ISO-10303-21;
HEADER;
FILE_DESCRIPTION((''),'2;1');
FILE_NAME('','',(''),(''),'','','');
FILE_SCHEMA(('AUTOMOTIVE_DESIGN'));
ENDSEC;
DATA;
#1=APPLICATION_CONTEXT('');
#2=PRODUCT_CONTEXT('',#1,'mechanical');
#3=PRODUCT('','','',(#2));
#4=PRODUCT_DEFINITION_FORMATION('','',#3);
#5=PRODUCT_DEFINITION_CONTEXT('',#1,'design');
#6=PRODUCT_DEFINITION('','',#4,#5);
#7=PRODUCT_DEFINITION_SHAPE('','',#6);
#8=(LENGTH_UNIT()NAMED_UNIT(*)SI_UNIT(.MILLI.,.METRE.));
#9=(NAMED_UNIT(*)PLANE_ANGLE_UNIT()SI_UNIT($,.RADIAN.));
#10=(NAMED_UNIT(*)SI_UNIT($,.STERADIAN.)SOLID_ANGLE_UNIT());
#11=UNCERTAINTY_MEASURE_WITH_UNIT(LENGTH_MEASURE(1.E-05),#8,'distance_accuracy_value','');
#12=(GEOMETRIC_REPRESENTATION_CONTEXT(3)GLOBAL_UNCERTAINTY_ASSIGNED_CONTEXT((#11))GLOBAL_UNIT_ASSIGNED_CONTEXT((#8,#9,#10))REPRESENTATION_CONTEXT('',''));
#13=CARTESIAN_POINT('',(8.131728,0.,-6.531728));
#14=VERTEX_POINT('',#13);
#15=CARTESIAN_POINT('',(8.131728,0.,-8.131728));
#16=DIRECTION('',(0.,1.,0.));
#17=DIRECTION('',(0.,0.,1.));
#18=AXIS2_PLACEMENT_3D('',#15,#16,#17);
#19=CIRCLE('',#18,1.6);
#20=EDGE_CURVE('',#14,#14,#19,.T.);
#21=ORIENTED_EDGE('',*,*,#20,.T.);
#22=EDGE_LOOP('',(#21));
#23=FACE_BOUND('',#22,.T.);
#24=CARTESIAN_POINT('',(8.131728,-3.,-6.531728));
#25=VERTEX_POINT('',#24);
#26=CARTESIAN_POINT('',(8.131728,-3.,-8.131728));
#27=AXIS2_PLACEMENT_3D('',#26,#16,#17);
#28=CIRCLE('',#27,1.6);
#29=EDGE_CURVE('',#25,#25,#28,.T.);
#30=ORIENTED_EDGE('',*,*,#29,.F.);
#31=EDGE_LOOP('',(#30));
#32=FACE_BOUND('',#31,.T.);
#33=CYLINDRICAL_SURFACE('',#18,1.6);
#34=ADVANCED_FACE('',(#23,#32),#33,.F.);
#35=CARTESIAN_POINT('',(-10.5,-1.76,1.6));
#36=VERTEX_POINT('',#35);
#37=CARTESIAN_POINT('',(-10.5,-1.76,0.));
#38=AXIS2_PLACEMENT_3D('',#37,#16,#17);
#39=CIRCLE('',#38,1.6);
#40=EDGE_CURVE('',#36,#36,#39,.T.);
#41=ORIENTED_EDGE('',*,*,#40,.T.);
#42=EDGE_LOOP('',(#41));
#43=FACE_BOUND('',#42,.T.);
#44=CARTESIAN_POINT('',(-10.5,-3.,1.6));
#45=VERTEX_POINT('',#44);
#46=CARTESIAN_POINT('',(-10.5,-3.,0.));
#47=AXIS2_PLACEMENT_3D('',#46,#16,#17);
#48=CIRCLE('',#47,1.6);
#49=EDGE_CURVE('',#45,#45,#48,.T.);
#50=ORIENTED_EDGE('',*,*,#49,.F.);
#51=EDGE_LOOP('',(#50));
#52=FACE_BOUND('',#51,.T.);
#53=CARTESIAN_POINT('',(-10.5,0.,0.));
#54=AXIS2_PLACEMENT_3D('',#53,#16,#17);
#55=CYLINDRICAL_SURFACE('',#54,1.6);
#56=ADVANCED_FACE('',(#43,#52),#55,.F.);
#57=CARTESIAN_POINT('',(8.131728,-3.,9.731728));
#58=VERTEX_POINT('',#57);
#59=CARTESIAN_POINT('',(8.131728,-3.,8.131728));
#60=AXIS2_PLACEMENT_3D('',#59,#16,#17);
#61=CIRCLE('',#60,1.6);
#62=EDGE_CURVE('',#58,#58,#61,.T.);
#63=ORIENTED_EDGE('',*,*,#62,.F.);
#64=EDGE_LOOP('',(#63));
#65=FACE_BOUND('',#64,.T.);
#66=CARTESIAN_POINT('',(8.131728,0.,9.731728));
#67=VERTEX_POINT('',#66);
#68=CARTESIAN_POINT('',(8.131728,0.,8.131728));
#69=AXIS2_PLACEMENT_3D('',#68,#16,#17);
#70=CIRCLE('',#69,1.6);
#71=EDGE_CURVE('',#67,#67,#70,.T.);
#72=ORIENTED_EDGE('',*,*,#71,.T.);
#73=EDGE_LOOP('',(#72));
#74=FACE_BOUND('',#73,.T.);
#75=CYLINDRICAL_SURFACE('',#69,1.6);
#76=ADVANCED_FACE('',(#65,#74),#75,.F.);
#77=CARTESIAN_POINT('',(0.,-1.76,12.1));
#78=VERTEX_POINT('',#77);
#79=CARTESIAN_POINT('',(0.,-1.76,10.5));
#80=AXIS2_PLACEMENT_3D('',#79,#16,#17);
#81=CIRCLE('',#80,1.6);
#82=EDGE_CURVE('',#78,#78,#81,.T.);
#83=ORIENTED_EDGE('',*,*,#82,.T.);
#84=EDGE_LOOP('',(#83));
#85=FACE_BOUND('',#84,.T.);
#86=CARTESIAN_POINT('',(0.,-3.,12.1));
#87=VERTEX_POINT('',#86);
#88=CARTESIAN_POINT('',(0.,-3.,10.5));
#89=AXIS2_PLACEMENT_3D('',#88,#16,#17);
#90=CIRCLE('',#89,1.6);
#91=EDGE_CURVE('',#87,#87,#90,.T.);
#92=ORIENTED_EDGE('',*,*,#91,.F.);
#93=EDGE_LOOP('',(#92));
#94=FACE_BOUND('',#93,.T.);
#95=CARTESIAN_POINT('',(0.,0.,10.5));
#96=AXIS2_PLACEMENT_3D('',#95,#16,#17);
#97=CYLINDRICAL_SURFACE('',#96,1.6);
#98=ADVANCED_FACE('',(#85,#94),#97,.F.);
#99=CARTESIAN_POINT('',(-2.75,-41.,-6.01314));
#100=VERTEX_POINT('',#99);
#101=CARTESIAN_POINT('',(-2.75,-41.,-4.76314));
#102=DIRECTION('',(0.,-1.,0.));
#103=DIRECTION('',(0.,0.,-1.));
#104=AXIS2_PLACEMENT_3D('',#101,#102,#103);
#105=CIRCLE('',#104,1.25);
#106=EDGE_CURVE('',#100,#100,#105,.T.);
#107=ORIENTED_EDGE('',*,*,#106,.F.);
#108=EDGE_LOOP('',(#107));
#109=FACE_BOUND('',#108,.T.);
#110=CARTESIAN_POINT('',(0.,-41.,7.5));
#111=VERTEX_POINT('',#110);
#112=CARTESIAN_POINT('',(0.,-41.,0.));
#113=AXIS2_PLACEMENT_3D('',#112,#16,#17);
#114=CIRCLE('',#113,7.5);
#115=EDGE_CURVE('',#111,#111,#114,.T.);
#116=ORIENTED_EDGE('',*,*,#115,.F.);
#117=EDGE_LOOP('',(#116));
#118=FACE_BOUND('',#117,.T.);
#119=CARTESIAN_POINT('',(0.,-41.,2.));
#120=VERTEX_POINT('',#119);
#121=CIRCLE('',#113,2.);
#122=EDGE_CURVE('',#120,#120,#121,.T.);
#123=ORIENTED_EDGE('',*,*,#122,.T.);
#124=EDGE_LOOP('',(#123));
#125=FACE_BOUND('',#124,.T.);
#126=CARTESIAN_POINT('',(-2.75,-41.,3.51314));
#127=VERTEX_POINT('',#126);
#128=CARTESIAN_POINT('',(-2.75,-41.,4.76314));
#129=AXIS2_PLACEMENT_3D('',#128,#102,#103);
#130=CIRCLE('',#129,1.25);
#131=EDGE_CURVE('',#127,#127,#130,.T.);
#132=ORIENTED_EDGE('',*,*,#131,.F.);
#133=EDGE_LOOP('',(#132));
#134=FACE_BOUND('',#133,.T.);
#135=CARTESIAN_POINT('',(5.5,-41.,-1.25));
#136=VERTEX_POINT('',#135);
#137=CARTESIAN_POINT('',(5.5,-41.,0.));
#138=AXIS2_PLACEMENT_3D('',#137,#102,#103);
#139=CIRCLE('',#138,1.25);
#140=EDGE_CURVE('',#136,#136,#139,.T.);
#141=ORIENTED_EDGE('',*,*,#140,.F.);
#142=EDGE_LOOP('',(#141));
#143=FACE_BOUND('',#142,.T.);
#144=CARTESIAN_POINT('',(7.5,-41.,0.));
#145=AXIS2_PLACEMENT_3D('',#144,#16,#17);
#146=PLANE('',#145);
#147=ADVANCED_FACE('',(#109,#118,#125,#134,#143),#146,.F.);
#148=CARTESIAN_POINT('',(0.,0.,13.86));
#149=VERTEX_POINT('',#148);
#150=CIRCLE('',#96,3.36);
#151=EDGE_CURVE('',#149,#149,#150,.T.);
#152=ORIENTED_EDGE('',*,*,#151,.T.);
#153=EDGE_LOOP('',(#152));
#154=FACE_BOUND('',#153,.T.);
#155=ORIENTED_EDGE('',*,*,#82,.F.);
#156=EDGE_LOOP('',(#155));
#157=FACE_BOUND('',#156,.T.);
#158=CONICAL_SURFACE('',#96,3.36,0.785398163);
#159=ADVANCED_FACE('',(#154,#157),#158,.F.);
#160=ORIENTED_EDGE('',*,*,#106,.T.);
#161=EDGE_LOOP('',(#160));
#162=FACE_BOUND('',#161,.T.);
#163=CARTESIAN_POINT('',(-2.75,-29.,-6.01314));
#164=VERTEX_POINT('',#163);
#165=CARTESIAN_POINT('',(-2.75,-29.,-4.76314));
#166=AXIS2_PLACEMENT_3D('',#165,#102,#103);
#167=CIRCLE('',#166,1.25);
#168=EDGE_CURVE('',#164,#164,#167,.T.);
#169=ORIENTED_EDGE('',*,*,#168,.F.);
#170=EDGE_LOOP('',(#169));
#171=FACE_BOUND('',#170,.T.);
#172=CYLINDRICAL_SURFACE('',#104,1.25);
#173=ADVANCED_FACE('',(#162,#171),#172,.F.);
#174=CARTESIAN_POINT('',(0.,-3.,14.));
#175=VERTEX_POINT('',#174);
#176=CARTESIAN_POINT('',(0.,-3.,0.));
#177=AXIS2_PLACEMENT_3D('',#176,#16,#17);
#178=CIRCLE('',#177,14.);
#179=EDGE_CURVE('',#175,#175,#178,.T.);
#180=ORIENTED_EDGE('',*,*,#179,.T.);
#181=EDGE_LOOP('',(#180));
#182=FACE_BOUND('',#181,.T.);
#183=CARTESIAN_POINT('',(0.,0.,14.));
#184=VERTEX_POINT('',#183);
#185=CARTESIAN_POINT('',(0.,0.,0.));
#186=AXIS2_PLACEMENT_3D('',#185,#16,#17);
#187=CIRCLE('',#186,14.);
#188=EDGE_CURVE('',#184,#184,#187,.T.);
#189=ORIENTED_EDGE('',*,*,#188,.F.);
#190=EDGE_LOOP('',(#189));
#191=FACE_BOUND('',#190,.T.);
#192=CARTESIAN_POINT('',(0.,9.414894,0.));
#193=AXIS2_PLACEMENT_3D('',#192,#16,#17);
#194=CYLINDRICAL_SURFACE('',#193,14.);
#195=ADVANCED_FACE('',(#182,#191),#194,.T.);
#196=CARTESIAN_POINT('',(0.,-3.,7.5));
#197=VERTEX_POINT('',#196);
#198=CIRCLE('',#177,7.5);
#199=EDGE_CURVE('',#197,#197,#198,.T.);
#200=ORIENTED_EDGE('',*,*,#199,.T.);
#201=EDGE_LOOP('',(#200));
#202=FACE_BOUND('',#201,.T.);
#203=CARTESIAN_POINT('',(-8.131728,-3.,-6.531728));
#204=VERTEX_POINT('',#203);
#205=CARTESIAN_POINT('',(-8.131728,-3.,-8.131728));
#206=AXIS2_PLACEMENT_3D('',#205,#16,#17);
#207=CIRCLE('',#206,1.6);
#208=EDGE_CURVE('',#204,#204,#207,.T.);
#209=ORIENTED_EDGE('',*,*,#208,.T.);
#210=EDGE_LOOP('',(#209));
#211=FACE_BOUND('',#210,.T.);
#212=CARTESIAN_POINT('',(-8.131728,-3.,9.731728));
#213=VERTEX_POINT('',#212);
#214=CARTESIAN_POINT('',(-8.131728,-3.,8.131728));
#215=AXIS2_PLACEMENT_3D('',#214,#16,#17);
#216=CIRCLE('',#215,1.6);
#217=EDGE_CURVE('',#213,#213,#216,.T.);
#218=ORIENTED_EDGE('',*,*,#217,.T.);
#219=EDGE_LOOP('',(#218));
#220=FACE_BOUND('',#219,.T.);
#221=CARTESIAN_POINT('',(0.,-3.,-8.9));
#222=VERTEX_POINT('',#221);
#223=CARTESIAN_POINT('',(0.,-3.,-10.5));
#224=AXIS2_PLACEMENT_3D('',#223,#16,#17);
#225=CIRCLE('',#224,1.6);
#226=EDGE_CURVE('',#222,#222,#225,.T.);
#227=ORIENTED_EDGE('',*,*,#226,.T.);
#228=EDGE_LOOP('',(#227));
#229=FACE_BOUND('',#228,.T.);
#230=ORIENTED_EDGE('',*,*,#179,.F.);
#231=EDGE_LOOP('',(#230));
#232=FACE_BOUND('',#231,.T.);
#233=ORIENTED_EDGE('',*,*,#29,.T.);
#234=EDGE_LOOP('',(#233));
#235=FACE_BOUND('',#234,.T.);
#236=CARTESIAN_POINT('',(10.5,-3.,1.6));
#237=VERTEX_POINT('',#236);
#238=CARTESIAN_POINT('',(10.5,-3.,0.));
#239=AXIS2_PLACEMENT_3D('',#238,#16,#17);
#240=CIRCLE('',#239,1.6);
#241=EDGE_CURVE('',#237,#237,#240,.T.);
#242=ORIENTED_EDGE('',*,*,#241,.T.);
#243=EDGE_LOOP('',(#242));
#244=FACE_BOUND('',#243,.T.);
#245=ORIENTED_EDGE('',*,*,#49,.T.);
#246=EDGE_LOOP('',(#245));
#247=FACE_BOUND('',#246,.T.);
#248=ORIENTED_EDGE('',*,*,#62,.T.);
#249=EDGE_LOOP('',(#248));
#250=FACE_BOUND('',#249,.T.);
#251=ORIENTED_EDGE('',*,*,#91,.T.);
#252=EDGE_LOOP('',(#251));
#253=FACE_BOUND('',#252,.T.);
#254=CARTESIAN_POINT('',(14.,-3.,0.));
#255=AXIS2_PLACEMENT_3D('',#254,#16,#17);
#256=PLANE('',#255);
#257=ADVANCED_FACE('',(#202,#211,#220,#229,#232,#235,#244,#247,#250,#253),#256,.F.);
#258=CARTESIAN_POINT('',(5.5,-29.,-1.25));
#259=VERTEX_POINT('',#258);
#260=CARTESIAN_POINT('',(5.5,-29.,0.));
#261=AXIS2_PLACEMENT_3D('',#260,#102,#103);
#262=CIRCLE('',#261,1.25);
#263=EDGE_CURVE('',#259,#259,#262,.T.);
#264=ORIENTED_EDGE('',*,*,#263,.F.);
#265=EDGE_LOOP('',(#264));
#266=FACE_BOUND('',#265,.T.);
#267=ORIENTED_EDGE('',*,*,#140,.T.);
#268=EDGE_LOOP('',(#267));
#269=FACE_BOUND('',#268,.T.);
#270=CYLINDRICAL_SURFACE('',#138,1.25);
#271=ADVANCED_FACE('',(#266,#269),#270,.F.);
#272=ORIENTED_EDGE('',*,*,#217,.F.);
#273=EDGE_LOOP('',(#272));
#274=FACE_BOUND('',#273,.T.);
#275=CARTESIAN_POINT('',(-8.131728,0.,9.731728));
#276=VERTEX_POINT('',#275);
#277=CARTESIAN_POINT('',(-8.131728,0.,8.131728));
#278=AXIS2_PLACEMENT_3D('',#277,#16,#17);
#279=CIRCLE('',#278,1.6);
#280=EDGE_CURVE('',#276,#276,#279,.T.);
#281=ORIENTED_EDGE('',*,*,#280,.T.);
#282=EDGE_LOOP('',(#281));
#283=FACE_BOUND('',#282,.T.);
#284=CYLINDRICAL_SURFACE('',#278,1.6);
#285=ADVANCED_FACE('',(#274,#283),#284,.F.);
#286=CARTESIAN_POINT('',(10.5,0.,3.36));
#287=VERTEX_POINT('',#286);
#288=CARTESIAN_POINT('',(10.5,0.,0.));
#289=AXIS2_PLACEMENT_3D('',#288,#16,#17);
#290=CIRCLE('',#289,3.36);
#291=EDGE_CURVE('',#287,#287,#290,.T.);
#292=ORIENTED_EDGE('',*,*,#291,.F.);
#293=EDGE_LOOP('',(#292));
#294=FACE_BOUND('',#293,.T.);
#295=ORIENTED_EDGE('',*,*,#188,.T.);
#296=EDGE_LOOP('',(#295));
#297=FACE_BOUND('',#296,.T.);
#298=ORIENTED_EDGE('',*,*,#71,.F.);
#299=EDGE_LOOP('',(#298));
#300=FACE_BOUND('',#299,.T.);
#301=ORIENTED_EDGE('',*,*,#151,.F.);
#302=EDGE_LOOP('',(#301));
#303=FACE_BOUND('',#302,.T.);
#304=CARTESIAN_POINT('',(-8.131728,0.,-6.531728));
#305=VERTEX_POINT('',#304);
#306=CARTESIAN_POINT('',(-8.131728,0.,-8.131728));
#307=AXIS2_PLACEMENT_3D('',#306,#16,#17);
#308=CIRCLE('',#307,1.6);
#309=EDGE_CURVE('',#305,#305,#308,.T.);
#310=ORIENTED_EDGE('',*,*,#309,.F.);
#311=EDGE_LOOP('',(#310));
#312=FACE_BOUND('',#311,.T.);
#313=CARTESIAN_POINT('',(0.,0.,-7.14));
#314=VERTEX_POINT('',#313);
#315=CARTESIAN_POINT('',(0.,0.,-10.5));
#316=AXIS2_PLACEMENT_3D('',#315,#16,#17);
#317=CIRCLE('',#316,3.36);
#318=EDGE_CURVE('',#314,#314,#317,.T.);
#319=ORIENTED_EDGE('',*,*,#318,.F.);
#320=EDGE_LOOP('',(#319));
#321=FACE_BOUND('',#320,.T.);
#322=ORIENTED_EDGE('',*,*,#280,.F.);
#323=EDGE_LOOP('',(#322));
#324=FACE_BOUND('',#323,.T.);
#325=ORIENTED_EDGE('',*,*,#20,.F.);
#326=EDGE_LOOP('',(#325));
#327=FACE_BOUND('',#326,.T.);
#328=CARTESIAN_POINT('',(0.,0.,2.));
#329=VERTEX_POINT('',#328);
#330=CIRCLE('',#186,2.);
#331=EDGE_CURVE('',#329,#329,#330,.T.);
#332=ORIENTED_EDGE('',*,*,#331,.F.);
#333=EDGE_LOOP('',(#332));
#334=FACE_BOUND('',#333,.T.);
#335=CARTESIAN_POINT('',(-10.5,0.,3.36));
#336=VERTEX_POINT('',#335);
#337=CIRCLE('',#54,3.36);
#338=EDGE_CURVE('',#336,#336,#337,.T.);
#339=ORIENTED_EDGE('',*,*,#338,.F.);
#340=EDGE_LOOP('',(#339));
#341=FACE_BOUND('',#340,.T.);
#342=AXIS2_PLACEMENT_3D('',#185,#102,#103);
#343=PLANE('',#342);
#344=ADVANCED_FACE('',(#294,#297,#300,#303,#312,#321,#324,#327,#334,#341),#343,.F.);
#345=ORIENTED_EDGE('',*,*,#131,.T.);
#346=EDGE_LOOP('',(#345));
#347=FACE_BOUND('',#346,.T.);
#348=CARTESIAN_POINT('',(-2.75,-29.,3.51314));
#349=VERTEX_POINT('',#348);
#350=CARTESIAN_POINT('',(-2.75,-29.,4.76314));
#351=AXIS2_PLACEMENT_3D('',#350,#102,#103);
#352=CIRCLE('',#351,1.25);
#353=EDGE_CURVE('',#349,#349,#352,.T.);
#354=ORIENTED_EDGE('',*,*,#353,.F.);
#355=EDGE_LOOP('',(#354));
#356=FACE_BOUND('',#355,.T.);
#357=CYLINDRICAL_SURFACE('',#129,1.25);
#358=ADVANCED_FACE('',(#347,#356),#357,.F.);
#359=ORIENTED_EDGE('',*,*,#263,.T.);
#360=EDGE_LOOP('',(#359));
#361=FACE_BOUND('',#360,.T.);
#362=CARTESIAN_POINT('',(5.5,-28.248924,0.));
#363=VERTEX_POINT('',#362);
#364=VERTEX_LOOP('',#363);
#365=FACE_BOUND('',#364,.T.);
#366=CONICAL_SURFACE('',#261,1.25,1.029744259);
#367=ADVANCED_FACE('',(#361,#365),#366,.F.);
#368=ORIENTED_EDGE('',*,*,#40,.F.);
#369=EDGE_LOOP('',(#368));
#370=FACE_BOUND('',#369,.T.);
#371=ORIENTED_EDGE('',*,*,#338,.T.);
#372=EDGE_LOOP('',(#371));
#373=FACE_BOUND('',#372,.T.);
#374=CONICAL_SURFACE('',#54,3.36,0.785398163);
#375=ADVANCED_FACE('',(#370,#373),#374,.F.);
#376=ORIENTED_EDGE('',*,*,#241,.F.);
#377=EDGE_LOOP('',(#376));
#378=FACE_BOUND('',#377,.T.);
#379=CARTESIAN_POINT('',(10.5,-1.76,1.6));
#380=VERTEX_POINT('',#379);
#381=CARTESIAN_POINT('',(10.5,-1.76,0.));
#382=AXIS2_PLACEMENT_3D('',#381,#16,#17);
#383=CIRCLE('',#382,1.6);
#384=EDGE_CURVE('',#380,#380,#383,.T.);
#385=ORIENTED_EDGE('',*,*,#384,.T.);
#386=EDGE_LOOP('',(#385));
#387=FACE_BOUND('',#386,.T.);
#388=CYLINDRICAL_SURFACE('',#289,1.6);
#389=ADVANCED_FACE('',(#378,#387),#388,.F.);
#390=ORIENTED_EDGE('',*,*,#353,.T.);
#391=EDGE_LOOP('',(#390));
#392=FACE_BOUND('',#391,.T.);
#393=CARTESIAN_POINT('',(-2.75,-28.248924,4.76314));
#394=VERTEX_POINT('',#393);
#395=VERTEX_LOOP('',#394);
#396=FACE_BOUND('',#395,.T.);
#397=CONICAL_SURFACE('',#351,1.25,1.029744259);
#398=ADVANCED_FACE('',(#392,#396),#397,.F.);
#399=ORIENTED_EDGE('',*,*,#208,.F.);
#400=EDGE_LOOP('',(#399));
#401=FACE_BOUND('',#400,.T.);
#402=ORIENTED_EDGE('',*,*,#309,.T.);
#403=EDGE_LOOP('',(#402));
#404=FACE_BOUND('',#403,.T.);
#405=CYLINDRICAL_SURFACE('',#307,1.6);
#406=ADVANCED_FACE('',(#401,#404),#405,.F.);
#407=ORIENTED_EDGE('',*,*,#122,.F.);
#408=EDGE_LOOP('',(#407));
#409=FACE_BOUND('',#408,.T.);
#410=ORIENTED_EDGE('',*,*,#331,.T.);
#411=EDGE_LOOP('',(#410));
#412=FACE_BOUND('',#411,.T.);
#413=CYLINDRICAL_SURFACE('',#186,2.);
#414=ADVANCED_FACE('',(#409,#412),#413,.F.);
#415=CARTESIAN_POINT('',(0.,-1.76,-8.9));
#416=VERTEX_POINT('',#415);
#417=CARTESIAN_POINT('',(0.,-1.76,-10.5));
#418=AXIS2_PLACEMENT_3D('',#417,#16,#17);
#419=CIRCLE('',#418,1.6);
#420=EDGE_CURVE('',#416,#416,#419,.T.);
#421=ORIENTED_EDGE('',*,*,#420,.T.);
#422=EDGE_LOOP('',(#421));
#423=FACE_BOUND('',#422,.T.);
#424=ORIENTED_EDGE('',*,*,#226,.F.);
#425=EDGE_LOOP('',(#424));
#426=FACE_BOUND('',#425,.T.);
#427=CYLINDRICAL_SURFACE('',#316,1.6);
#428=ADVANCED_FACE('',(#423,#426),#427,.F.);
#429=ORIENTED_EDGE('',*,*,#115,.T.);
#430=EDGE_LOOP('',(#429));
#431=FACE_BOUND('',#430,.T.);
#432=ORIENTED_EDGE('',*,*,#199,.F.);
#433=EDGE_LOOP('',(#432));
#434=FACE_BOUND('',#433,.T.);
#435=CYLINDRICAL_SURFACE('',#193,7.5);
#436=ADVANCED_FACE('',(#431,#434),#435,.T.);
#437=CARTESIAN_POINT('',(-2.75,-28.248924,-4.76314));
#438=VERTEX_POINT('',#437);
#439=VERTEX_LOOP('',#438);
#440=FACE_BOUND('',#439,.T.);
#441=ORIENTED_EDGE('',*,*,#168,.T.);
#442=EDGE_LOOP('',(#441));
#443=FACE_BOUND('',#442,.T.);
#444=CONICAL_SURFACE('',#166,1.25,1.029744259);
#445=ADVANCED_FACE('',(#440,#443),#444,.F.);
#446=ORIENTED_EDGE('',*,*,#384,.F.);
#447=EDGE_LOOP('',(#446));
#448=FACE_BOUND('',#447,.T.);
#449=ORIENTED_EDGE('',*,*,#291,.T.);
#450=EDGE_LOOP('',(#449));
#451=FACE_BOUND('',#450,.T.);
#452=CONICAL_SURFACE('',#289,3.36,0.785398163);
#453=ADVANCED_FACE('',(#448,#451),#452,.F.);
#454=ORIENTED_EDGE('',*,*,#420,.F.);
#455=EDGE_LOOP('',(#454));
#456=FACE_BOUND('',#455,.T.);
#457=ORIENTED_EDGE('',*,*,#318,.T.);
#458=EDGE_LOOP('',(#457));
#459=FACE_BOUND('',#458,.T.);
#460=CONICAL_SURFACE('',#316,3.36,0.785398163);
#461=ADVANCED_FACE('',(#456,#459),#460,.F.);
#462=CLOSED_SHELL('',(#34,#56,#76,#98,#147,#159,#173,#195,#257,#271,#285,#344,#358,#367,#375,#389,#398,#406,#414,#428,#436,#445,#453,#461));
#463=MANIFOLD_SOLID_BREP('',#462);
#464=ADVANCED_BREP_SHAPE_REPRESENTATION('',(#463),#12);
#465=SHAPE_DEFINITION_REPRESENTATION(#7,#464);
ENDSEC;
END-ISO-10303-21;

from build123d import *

# Parameters (mm, degrees)
F_4_0_4_DURCHMESSER_BOHRUNG1_D       = 4
F_4_0_4_DURCHMESSER_BOHRUNG1_DEPTH   = 41
KREISMUSTER1_COUNT                   = 3
KREISMUSTER2_COUNT                   = 4
F_3_2_3_2_DURCHMESSER_BOHRUNG1_D     = 3.2
F_3_2_3_2_DURCHMESSER_BOHRUNG1_DEPTH = 3.001
KREISMUSTER3_COUNT                   = 4


with BuildPart() as part:
    # Skizze1 → Rotation1 (revolve)
    with BuildSketch(Plane.XY):
        Polygon((0, 0), (14, 0), (14, -3), (7.5, -3), (7.5, -41), (0, -41), align=None)
    revolve(axis=Axis((0, 9.414893617, 0), (0, -1, 0)))

    # Ø4.0 (4) Durchmesser Bohrung1
    with Locations(Plane(origin=(0, 0, 0), x_dir=(1, 0, 0), z_dir=(0, 1, 0))):
        with Locations((0, 0)):
            Hole(F_4_0_4_DURCHMESSER_BOHRUNG1_D / 2, depth=F_4_0_4_DURCHMESSER_BOHRUNG1_DEPTH)

    # Skizze4 → M3 Gewindebohrung1 (revolve, cut)
    with BuildSketch(Plane(origin=(5.5, -41, 0), x_dir=(0, 0, -1), z_dir=(1, 0, 0))):
        Polygon((0, 0), (0, 12.751075774), (1.25, 12), (1.25, 0), align=None)
    m3_gewindebohrung1 = revolve(axis=Axis((5.5, -47.35, 0), (0, 1, 0)), mode=Mode.SUBTRACT)

    # Kreismuster1: M3 Gewindebohrung1 ×3 about axis
    kreismuster1_axis = Axis((0, 0, 0), (0, 1, 0))
    for i in range(1, KREISMUSTER1_COUNT):
        add(m3_gewindebohrung1.rotate(kreismuster1_axis, i * 360 / KREISMUSTER1_COUNT), mode=Mode.SUBTRACT)

    # Skizze6 → Formsenkung für M3 Senkschraube mit Innensechskant1 (revolve, cut)
    with BuildSketch(Plane(origin=(0, 0, -10.5), x_dir=(0, 0, 1), z_dir=(1, 0, 0))):
        Polygon((0, 0), (0, 3.001), (1.6, 3.001), (1.6, 1.76), (3.36, 0), align=None)
    formsenkung_f_r_m3_senkschraube_mit_inne = revolve(axis=Axis((0, 6.35, -10.5), (0, -1, 0)), mode=Mode.SUBTRACT)

    # Kreismuster2: Formsenkung für M3 Senkschraube mit Innensechskant1 ×4 about axis
    kreismuster2_axis = Axis((0, 0, 0), (0, 1, 0))
    for i in range(1, KREISMUSTER2_COUNT):
        add(formsenkung_f_r_m3_senkschraube_mit_inne.rotate(kreismuster2_axis, i * 360 / KREISMUSTER2_COUNT), mode=Mode.SUBTRACT)

    # Ø3.2 (3.2) Durchmesser Bohrung1
    with Locations(Plane(origin=(0, 0, 0), x_dir=(1, 0, 0), z_dir=(0, 1, 0))):
        with Locations((-8.131727984, 8.131727984)):
            f_3_2_3_2_durchmesser_bohrung1 = Hole(F_3_2_3_2_DURCHMESSER_BOHRUNG1_D / 2, depth=F_3_2_3_2_DURCHMESSER_BOHRUNG1_DEPTH)

    # Kreismuster3: Ø3.2 (3.2) Durchmesser Bohrung1 ×4 about axis
    kreismuster3_axis = Axis((0, 0, 0), (0, 1, 0))
    for i in range(1, KREISMUSTER3_COUNT):
        add(f_3_2_3_2_durchmesser_bohrung1.rotate(kreismuster3_axis, i * 360 / KREISMUSTER3_COUNT), mode=Mode.SUBTRACT)


solid = part.part
